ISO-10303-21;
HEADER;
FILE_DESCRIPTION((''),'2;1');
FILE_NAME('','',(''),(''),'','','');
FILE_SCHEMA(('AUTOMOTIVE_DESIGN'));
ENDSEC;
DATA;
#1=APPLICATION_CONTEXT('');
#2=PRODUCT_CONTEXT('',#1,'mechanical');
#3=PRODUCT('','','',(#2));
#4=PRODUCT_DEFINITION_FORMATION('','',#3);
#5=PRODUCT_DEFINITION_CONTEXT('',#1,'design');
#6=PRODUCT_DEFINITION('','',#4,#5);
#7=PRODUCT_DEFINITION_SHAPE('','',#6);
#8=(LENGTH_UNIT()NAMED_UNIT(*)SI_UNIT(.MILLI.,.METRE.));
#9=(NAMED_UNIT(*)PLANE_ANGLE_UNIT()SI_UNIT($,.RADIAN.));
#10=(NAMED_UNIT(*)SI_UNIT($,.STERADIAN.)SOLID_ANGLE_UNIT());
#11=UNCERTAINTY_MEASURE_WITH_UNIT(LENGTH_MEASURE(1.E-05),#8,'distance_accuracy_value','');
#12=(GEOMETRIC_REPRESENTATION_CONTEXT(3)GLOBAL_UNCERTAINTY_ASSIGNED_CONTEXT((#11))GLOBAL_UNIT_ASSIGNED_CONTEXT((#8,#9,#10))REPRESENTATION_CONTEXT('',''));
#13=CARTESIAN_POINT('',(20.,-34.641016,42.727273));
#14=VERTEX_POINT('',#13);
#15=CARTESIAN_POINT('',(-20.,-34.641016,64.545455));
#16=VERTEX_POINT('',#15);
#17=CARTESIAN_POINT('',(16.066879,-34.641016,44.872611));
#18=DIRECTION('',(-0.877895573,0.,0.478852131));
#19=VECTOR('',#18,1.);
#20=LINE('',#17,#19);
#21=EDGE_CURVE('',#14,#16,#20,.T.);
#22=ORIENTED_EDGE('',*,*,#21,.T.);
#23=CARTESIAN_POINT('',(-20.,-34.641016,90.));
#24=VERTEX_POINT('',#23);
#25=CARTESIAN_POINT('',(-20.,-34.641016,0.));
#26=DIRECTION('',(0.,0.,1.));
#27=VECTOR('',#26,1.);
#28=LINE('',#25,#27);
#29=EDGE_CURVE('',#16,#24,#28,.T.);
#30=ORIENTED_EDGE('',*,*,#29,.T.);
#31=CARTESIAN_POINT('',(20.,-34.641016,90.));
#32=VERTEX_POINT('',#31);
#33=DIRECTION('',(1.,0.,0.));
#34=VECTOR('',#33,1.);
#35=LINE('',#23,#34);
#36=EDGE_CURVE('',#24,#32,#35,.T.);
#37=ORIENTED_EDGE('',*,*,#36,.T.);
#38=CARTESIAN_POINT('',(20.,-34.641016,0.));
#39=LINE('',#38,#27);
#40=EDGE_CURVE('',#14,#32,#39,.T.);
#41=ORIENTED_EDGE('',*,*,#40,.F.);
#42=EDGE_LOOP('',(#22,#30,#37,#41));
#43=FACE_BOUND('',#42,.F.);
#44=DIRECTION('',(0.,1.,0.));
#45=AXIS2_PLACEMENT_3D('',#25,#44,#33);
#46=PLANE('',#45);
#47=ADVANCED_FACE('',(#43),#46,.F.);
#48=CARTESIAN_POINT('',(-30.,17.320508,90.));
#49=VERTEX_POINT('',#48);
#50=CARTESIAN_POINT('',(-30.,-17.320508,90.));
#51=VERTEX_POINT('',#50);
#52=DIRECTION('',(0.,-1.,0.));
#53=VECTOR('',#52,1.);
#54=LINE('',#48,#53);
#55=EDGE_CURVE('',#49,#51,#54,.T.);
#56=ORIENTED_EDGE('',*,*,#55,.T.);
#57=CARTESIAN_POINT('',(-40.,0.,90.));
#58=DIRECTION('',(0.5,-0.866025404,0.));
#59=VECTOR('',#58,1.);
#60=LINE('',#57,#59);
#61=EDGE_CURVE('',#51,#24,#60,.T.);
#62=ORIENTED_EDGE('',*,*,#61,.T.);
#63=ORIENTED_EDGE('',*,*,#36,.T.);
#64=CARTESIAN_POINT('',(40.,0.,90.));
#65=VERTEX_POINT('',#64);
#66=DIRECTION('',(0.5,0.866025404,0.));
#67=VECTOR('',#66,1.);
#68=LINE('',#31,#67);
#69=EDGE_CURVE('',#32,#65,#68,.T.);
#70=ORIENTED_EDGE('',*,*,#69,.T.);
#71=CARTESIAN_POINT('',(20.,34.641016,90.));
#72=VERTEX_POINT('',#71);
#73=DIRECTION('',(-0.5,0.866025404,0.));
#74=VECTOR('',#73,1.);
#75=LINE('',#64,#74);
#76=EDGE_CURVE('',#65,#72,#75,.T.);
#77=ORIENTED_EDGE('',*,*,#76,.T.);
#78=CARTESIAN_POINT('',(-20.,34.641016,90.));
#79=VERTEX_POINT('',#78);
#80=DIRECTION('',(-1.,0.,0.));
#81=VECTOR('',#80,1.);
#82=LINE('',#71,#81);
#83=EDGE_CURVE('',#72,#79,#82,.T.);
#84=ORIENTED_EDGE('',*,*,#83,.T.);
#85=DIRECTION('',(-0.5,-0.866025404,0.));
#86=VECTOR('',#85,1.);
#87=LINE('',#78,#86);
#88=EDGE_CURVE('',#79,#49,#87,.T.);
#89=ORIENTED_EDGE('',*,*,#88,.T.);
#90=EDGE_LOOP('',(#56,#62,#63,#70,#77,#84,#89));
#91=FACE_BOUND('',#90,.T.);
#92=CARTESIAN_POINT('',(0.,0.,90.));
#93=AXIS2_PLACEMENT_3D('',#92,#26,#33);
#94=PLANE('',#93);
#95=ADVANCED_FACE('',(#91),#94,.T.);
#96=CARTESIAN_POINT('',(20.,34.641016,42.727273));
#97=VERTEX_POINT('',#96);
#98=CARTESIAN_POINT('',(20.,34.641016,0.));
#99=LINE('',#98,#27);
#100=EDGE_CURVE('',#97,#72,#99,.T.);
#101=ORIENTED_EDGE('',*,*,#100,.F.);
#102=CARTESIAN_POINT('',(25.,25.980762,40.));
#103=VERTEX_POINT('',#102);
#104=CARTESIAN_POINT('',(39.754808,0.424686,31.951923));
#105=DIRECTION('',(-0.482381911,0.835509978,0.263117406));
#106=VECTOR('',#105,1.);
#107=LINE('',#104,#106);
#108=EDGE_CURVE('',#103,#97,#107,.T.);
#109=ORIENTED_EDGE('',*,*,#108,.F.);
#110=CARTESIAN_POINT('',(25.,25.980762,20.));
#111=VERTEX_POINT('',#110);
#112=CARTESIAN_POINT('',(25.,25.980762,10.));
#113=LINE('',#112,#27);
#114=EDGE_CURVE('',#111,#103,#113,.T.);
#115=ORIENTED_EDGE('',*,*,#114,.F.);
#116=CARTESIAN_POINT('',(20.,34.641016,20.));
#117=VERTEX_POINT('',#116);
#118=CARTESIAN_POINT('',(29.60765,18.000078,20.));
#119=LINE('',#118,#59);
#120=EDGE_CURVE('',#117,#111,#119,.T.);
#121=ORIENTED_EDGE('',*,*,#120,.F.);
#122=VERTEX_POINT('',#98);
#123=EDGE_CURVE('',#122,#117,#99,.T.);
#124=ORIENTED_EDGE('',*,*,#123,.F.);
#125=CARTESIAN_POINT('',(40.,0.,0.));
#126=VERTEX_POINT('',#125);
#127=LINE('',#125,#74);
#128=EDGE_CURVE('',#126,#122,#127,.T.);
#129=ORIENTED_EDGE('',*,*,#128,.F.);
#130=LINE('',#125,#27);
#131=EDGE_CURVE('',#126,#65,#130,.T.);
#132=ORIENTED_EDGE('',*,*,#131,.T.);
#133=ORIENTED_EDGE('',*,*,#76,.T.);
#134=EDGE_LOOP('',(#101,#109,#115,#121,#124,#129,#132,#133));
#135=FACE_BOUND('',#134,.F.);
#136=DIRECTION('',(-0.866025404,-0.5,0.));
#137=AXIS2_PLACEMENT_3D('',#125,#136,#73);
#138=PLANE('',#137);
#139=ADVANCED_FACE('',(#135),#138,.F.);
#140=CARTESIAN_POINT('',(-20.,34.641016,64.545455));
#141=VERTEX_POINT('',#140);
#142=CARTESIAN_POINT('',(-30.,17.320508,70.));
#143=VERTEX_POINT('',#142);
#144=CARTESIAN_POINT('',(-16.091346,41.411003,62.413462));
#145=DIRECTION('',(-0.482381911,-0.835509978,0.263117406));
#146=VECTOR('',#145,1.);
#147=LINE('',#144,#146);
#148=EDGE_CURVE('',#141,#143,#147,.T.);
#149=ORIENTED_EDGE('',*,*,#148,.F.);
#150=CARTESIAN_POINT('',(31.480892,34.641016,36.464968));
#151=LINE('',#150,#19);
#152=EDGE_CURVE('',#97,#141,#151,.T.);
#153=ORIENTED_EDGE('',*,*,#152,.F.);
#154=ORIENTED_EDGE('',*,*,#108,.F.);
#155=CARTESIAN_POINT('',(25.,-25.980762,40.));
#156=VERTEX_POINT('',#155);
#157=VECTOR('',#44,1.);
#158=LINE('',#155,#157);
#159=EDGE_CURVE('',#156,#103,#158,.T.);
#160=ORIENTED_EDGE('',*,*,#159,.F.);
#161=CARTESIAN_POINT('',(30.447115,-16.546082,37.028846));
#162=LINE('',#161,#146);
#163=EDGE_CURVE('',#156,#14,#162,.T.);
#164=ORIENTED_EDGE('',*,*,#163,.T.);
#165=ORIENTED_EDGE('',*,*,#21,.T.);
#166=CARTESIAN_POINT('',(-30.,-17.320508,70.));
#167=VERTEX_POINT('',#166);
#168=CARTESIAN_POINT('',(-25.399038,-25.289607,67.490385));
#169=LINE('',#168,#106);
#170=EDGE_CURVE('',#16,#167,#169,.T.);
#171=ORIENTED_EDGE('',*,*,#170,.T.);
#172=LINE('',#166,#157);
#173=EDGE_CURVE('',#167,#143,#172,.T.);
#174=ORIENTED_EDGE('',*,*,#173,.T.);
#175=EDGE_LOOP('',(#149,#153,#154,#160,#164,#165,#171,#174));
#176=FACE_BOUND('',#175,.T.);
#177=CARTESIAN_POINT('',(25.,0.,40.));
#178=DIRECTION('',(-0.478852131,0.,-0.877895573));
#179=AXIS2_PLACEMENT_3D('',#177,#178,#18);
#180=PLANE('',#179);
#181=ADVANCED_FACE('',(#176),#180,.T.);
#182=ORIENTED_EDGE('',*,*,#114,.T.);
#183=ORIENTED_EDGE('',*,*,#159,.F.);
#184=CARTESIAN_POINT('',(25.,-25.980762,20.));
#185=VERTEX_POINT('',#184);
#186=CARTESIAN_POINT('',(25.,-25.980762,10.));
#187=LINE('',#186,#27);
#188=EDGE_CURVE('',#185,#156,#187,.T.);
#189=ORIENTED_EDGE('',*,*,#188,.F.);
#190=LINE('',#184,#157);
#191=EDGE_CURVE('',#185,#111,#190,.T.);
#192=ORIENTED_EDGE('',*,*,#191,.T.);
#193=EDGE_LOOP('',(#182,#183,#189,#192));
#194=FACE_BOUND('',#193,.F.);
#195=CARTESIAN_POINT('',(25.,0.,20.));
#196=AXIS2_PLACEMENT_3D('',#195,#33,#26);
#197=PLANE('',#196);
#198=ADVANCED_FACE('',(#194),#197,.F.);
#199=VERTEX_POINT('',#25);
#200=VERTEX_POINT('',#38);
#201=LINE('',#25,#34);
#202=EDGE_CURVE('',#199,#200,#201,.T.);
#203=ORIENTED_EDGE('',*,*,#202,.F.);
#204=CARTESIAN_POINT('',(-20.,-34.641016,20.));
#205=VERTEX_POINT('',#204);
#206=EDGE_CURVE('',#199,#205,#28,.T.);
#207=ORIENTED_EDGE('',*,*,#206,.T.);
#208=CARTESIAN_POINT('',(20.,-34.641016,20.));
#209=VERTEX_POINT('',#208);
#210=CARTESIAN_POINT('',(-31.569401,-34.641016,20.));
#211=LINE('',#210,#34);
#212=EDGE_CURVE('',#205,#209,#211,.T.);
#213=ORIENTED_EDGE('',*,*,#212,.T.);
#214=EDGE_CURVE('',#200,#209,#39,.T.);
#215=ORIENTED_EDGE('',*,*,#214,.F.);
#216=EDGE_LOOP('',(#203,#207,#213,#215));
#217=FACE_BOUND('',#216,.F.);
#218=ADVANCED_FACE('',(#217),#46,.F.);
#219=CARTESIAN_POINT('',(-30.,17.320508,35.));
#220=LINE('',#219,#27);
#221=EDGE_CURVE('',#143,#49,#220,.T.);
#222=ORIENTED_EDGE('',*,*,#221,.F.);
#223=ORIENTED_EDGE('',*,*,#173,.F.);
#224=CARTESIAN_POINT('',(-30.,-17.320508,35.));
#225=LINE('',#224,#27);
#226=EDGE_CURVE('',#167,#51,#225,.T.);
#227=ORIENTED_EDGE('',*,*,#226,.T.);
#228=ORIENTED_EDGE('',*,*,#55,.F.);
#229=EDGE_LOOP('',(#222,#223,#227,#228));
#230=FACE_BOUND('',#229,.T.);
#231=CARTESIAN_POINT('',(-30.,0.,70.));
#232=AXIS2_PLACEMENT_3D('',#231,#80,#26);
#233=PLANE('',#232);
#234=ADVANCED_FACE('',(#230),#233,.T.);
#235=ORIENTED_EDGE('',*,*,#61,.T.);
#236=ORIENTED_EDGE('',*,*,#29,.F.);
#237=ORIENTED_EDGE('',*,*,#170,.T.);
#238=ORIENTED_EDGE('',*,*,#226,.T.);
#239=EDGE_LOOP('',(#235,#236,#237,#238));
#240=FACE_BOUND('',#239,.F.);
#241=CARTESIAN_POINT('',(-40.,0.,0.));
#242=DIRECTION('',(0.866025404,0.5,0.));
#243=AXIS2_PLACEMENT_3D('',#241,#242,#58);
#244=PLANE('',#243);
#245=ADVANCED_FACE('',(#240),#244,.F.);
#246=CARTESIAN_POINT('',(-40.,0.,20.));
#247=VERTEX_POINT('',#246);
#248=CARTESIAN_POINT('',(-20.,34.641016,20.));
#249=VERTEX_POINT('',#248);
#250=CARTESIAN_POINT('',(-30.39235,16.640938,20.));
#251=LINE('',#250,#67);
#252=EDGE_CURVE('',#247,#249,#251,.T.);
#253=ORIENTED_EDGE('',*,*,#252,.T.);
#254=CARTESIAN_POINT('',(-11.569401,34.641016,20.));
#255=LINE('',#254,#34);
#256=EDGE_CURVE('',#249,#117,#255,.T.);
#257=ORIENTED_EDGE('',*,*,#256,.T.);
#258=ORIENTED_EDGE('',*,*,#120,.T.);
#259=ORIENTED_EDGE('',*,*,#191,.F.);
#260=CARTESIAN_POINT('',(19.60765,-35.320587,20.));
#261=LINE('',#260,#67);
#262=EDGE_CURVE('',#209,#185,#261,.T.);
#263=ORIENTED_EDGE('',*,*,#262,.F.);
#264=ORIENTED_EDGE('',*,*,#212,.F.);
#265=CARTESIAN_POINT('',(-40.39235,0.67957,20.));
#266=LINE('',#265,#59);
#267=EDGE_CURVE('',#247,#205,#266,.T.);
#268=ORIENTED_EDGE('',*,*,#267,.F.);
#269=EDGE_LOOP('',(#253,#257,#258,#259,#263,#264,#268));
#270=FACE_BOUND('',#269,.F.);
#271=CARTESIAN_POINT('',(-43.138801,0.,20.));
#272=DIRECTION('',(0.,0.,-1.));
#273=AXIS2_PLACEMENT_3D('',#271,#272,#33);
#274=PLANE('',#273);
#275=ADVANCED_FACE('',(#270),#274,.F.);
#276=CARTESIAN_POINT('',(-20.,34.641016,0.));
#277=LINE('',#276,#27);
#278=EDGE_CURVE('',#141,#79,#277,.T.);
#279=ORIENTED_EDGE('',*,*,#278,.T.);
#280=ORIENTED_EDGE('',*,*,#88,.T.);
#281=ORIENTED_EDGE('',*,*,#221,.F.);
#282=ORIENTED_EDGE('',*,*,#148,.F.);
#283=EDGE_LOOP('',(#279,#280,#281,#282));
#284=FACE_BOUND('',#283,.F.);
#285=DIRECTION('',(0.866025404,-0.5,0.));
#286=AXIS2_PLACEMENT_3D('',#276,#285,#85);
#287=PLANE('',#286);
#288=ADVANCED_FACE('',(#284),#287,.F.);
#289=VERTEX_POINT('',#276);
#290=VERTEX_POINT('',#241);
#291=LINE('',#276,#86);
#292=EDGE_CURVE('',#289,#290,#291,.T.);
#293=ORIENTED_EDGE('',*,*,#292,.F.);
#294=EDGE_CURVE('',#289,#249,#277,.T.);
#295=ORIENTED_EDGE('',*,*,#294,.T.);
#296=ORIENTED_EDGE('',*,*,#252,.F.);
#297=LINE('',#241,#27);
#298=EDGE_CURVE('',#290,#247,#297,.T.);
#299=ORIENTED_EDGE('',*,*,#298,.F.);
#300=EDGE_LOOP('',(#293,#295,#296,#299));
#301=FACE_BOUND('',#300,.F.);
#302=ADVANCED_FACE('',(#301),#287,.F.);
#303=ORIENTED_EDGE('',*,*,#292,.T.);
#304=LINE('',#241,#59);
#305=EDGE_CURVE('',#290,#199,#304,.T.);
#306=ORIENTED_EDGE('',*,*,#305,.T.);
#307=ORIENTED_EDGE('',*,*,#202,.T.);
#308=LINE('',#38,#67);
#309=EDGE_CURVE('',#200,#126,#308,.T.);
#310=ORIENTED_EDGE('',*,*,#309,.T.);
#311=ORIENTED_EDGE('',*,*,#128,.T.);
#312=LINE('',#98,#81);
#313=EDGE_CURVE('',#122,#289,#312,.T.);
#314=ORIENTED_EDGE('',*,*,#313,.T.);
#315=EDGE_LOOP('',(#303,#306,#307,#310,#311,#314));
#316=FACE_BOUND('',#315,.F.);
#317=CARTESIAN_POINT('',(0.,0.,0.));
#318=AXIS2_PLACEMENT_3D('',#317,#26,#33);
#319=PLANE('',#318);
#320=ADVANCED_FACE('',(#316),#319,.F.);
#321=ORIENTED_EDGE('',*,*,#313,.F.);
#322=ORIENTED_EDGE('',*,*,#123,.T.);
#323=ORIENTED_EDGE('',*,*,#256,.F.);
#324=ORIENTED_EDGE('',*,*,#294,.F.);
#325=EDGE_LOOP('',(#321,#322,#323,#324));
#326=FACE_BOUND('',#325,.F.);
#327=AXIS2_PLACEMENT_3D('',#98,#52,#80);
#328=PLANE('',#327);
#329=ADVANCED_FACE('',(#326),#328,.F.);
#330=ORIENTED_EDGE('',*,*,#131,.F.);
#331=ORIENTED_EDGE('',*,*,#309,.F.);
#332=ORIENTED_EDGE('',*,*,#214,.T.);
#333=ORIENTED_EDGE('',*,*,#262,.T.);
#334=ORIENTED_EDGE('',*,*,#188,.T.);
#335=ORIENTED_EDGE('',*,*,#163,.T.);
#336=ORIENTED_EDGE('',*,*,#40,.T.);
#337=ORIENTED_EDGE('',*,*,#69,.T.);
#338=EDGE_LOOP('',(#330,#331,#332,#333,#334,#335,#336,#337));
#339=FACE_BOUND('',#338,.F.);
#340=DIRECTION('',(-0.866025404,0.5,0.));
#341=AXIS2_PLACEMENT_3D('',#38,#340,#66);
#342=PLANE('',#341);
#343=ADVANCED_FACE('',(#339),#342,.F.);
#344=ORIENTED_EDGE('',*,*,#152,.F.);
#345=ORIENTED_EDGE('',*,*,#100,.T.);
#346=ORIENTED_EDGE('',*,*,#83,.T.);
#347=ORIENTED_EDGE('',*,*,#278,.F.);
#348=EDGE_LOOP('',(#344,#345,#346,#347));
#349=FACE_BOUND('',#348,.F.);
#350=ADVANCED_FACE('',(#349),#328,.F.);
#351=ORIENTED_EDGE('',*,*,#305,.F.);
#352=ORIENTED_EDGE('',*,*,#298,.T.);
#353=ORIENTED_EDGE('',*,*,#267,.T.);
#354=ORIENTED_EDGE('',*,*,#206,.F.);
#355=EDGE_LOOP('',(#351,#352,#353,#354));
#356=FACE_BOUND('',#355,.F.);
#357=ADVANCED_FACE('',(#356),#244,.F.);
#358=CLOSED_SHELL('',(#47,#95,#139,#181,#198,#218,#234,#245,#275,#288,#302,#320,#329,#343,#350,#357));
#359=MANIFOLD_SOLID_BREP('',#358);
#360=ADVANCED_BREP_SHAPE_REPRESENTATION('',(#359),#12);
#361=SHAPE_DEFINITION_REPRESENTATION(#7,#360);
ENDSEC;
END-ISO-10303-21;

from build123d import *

# Parameters (mm, degrees)
F1_DEPTH      = 90
F3_DEPTH      = 34.6420161514
F3_DEPTH_BACK = 34.6420161514


with BuildPart() as f1:
    # F0 (on Top) → F1 (new body)
    with BuildSketch(Plane.XY):
        Polygon((-20, 34.6410161514), (-40, 0), (-20, -34.6410161514), (20, -34.6410161514), (40, 0), (20, 34.6410161514), align=None)
    extrude(amount=F1_DEPTH)

    # F2 (on Front) → F3 (cut, two sides)
    with BuildSketch(Plane.XZ) as f3_sk:
        Polygon((-43.1388012565, 92.6622778185), (-43.1388012565, 20), (25, 20), (25, 40), (-30, 70), (-30, 92.6622778185), align=None)
    extrude(amount=-F3_DEPTH, mode=Mode.SUBTRACT)
    extrude(f3_sk.sketch, amount=F3_DEPTH_BACK, mode=Mode.SUBTRACT)


solid = f1.part
